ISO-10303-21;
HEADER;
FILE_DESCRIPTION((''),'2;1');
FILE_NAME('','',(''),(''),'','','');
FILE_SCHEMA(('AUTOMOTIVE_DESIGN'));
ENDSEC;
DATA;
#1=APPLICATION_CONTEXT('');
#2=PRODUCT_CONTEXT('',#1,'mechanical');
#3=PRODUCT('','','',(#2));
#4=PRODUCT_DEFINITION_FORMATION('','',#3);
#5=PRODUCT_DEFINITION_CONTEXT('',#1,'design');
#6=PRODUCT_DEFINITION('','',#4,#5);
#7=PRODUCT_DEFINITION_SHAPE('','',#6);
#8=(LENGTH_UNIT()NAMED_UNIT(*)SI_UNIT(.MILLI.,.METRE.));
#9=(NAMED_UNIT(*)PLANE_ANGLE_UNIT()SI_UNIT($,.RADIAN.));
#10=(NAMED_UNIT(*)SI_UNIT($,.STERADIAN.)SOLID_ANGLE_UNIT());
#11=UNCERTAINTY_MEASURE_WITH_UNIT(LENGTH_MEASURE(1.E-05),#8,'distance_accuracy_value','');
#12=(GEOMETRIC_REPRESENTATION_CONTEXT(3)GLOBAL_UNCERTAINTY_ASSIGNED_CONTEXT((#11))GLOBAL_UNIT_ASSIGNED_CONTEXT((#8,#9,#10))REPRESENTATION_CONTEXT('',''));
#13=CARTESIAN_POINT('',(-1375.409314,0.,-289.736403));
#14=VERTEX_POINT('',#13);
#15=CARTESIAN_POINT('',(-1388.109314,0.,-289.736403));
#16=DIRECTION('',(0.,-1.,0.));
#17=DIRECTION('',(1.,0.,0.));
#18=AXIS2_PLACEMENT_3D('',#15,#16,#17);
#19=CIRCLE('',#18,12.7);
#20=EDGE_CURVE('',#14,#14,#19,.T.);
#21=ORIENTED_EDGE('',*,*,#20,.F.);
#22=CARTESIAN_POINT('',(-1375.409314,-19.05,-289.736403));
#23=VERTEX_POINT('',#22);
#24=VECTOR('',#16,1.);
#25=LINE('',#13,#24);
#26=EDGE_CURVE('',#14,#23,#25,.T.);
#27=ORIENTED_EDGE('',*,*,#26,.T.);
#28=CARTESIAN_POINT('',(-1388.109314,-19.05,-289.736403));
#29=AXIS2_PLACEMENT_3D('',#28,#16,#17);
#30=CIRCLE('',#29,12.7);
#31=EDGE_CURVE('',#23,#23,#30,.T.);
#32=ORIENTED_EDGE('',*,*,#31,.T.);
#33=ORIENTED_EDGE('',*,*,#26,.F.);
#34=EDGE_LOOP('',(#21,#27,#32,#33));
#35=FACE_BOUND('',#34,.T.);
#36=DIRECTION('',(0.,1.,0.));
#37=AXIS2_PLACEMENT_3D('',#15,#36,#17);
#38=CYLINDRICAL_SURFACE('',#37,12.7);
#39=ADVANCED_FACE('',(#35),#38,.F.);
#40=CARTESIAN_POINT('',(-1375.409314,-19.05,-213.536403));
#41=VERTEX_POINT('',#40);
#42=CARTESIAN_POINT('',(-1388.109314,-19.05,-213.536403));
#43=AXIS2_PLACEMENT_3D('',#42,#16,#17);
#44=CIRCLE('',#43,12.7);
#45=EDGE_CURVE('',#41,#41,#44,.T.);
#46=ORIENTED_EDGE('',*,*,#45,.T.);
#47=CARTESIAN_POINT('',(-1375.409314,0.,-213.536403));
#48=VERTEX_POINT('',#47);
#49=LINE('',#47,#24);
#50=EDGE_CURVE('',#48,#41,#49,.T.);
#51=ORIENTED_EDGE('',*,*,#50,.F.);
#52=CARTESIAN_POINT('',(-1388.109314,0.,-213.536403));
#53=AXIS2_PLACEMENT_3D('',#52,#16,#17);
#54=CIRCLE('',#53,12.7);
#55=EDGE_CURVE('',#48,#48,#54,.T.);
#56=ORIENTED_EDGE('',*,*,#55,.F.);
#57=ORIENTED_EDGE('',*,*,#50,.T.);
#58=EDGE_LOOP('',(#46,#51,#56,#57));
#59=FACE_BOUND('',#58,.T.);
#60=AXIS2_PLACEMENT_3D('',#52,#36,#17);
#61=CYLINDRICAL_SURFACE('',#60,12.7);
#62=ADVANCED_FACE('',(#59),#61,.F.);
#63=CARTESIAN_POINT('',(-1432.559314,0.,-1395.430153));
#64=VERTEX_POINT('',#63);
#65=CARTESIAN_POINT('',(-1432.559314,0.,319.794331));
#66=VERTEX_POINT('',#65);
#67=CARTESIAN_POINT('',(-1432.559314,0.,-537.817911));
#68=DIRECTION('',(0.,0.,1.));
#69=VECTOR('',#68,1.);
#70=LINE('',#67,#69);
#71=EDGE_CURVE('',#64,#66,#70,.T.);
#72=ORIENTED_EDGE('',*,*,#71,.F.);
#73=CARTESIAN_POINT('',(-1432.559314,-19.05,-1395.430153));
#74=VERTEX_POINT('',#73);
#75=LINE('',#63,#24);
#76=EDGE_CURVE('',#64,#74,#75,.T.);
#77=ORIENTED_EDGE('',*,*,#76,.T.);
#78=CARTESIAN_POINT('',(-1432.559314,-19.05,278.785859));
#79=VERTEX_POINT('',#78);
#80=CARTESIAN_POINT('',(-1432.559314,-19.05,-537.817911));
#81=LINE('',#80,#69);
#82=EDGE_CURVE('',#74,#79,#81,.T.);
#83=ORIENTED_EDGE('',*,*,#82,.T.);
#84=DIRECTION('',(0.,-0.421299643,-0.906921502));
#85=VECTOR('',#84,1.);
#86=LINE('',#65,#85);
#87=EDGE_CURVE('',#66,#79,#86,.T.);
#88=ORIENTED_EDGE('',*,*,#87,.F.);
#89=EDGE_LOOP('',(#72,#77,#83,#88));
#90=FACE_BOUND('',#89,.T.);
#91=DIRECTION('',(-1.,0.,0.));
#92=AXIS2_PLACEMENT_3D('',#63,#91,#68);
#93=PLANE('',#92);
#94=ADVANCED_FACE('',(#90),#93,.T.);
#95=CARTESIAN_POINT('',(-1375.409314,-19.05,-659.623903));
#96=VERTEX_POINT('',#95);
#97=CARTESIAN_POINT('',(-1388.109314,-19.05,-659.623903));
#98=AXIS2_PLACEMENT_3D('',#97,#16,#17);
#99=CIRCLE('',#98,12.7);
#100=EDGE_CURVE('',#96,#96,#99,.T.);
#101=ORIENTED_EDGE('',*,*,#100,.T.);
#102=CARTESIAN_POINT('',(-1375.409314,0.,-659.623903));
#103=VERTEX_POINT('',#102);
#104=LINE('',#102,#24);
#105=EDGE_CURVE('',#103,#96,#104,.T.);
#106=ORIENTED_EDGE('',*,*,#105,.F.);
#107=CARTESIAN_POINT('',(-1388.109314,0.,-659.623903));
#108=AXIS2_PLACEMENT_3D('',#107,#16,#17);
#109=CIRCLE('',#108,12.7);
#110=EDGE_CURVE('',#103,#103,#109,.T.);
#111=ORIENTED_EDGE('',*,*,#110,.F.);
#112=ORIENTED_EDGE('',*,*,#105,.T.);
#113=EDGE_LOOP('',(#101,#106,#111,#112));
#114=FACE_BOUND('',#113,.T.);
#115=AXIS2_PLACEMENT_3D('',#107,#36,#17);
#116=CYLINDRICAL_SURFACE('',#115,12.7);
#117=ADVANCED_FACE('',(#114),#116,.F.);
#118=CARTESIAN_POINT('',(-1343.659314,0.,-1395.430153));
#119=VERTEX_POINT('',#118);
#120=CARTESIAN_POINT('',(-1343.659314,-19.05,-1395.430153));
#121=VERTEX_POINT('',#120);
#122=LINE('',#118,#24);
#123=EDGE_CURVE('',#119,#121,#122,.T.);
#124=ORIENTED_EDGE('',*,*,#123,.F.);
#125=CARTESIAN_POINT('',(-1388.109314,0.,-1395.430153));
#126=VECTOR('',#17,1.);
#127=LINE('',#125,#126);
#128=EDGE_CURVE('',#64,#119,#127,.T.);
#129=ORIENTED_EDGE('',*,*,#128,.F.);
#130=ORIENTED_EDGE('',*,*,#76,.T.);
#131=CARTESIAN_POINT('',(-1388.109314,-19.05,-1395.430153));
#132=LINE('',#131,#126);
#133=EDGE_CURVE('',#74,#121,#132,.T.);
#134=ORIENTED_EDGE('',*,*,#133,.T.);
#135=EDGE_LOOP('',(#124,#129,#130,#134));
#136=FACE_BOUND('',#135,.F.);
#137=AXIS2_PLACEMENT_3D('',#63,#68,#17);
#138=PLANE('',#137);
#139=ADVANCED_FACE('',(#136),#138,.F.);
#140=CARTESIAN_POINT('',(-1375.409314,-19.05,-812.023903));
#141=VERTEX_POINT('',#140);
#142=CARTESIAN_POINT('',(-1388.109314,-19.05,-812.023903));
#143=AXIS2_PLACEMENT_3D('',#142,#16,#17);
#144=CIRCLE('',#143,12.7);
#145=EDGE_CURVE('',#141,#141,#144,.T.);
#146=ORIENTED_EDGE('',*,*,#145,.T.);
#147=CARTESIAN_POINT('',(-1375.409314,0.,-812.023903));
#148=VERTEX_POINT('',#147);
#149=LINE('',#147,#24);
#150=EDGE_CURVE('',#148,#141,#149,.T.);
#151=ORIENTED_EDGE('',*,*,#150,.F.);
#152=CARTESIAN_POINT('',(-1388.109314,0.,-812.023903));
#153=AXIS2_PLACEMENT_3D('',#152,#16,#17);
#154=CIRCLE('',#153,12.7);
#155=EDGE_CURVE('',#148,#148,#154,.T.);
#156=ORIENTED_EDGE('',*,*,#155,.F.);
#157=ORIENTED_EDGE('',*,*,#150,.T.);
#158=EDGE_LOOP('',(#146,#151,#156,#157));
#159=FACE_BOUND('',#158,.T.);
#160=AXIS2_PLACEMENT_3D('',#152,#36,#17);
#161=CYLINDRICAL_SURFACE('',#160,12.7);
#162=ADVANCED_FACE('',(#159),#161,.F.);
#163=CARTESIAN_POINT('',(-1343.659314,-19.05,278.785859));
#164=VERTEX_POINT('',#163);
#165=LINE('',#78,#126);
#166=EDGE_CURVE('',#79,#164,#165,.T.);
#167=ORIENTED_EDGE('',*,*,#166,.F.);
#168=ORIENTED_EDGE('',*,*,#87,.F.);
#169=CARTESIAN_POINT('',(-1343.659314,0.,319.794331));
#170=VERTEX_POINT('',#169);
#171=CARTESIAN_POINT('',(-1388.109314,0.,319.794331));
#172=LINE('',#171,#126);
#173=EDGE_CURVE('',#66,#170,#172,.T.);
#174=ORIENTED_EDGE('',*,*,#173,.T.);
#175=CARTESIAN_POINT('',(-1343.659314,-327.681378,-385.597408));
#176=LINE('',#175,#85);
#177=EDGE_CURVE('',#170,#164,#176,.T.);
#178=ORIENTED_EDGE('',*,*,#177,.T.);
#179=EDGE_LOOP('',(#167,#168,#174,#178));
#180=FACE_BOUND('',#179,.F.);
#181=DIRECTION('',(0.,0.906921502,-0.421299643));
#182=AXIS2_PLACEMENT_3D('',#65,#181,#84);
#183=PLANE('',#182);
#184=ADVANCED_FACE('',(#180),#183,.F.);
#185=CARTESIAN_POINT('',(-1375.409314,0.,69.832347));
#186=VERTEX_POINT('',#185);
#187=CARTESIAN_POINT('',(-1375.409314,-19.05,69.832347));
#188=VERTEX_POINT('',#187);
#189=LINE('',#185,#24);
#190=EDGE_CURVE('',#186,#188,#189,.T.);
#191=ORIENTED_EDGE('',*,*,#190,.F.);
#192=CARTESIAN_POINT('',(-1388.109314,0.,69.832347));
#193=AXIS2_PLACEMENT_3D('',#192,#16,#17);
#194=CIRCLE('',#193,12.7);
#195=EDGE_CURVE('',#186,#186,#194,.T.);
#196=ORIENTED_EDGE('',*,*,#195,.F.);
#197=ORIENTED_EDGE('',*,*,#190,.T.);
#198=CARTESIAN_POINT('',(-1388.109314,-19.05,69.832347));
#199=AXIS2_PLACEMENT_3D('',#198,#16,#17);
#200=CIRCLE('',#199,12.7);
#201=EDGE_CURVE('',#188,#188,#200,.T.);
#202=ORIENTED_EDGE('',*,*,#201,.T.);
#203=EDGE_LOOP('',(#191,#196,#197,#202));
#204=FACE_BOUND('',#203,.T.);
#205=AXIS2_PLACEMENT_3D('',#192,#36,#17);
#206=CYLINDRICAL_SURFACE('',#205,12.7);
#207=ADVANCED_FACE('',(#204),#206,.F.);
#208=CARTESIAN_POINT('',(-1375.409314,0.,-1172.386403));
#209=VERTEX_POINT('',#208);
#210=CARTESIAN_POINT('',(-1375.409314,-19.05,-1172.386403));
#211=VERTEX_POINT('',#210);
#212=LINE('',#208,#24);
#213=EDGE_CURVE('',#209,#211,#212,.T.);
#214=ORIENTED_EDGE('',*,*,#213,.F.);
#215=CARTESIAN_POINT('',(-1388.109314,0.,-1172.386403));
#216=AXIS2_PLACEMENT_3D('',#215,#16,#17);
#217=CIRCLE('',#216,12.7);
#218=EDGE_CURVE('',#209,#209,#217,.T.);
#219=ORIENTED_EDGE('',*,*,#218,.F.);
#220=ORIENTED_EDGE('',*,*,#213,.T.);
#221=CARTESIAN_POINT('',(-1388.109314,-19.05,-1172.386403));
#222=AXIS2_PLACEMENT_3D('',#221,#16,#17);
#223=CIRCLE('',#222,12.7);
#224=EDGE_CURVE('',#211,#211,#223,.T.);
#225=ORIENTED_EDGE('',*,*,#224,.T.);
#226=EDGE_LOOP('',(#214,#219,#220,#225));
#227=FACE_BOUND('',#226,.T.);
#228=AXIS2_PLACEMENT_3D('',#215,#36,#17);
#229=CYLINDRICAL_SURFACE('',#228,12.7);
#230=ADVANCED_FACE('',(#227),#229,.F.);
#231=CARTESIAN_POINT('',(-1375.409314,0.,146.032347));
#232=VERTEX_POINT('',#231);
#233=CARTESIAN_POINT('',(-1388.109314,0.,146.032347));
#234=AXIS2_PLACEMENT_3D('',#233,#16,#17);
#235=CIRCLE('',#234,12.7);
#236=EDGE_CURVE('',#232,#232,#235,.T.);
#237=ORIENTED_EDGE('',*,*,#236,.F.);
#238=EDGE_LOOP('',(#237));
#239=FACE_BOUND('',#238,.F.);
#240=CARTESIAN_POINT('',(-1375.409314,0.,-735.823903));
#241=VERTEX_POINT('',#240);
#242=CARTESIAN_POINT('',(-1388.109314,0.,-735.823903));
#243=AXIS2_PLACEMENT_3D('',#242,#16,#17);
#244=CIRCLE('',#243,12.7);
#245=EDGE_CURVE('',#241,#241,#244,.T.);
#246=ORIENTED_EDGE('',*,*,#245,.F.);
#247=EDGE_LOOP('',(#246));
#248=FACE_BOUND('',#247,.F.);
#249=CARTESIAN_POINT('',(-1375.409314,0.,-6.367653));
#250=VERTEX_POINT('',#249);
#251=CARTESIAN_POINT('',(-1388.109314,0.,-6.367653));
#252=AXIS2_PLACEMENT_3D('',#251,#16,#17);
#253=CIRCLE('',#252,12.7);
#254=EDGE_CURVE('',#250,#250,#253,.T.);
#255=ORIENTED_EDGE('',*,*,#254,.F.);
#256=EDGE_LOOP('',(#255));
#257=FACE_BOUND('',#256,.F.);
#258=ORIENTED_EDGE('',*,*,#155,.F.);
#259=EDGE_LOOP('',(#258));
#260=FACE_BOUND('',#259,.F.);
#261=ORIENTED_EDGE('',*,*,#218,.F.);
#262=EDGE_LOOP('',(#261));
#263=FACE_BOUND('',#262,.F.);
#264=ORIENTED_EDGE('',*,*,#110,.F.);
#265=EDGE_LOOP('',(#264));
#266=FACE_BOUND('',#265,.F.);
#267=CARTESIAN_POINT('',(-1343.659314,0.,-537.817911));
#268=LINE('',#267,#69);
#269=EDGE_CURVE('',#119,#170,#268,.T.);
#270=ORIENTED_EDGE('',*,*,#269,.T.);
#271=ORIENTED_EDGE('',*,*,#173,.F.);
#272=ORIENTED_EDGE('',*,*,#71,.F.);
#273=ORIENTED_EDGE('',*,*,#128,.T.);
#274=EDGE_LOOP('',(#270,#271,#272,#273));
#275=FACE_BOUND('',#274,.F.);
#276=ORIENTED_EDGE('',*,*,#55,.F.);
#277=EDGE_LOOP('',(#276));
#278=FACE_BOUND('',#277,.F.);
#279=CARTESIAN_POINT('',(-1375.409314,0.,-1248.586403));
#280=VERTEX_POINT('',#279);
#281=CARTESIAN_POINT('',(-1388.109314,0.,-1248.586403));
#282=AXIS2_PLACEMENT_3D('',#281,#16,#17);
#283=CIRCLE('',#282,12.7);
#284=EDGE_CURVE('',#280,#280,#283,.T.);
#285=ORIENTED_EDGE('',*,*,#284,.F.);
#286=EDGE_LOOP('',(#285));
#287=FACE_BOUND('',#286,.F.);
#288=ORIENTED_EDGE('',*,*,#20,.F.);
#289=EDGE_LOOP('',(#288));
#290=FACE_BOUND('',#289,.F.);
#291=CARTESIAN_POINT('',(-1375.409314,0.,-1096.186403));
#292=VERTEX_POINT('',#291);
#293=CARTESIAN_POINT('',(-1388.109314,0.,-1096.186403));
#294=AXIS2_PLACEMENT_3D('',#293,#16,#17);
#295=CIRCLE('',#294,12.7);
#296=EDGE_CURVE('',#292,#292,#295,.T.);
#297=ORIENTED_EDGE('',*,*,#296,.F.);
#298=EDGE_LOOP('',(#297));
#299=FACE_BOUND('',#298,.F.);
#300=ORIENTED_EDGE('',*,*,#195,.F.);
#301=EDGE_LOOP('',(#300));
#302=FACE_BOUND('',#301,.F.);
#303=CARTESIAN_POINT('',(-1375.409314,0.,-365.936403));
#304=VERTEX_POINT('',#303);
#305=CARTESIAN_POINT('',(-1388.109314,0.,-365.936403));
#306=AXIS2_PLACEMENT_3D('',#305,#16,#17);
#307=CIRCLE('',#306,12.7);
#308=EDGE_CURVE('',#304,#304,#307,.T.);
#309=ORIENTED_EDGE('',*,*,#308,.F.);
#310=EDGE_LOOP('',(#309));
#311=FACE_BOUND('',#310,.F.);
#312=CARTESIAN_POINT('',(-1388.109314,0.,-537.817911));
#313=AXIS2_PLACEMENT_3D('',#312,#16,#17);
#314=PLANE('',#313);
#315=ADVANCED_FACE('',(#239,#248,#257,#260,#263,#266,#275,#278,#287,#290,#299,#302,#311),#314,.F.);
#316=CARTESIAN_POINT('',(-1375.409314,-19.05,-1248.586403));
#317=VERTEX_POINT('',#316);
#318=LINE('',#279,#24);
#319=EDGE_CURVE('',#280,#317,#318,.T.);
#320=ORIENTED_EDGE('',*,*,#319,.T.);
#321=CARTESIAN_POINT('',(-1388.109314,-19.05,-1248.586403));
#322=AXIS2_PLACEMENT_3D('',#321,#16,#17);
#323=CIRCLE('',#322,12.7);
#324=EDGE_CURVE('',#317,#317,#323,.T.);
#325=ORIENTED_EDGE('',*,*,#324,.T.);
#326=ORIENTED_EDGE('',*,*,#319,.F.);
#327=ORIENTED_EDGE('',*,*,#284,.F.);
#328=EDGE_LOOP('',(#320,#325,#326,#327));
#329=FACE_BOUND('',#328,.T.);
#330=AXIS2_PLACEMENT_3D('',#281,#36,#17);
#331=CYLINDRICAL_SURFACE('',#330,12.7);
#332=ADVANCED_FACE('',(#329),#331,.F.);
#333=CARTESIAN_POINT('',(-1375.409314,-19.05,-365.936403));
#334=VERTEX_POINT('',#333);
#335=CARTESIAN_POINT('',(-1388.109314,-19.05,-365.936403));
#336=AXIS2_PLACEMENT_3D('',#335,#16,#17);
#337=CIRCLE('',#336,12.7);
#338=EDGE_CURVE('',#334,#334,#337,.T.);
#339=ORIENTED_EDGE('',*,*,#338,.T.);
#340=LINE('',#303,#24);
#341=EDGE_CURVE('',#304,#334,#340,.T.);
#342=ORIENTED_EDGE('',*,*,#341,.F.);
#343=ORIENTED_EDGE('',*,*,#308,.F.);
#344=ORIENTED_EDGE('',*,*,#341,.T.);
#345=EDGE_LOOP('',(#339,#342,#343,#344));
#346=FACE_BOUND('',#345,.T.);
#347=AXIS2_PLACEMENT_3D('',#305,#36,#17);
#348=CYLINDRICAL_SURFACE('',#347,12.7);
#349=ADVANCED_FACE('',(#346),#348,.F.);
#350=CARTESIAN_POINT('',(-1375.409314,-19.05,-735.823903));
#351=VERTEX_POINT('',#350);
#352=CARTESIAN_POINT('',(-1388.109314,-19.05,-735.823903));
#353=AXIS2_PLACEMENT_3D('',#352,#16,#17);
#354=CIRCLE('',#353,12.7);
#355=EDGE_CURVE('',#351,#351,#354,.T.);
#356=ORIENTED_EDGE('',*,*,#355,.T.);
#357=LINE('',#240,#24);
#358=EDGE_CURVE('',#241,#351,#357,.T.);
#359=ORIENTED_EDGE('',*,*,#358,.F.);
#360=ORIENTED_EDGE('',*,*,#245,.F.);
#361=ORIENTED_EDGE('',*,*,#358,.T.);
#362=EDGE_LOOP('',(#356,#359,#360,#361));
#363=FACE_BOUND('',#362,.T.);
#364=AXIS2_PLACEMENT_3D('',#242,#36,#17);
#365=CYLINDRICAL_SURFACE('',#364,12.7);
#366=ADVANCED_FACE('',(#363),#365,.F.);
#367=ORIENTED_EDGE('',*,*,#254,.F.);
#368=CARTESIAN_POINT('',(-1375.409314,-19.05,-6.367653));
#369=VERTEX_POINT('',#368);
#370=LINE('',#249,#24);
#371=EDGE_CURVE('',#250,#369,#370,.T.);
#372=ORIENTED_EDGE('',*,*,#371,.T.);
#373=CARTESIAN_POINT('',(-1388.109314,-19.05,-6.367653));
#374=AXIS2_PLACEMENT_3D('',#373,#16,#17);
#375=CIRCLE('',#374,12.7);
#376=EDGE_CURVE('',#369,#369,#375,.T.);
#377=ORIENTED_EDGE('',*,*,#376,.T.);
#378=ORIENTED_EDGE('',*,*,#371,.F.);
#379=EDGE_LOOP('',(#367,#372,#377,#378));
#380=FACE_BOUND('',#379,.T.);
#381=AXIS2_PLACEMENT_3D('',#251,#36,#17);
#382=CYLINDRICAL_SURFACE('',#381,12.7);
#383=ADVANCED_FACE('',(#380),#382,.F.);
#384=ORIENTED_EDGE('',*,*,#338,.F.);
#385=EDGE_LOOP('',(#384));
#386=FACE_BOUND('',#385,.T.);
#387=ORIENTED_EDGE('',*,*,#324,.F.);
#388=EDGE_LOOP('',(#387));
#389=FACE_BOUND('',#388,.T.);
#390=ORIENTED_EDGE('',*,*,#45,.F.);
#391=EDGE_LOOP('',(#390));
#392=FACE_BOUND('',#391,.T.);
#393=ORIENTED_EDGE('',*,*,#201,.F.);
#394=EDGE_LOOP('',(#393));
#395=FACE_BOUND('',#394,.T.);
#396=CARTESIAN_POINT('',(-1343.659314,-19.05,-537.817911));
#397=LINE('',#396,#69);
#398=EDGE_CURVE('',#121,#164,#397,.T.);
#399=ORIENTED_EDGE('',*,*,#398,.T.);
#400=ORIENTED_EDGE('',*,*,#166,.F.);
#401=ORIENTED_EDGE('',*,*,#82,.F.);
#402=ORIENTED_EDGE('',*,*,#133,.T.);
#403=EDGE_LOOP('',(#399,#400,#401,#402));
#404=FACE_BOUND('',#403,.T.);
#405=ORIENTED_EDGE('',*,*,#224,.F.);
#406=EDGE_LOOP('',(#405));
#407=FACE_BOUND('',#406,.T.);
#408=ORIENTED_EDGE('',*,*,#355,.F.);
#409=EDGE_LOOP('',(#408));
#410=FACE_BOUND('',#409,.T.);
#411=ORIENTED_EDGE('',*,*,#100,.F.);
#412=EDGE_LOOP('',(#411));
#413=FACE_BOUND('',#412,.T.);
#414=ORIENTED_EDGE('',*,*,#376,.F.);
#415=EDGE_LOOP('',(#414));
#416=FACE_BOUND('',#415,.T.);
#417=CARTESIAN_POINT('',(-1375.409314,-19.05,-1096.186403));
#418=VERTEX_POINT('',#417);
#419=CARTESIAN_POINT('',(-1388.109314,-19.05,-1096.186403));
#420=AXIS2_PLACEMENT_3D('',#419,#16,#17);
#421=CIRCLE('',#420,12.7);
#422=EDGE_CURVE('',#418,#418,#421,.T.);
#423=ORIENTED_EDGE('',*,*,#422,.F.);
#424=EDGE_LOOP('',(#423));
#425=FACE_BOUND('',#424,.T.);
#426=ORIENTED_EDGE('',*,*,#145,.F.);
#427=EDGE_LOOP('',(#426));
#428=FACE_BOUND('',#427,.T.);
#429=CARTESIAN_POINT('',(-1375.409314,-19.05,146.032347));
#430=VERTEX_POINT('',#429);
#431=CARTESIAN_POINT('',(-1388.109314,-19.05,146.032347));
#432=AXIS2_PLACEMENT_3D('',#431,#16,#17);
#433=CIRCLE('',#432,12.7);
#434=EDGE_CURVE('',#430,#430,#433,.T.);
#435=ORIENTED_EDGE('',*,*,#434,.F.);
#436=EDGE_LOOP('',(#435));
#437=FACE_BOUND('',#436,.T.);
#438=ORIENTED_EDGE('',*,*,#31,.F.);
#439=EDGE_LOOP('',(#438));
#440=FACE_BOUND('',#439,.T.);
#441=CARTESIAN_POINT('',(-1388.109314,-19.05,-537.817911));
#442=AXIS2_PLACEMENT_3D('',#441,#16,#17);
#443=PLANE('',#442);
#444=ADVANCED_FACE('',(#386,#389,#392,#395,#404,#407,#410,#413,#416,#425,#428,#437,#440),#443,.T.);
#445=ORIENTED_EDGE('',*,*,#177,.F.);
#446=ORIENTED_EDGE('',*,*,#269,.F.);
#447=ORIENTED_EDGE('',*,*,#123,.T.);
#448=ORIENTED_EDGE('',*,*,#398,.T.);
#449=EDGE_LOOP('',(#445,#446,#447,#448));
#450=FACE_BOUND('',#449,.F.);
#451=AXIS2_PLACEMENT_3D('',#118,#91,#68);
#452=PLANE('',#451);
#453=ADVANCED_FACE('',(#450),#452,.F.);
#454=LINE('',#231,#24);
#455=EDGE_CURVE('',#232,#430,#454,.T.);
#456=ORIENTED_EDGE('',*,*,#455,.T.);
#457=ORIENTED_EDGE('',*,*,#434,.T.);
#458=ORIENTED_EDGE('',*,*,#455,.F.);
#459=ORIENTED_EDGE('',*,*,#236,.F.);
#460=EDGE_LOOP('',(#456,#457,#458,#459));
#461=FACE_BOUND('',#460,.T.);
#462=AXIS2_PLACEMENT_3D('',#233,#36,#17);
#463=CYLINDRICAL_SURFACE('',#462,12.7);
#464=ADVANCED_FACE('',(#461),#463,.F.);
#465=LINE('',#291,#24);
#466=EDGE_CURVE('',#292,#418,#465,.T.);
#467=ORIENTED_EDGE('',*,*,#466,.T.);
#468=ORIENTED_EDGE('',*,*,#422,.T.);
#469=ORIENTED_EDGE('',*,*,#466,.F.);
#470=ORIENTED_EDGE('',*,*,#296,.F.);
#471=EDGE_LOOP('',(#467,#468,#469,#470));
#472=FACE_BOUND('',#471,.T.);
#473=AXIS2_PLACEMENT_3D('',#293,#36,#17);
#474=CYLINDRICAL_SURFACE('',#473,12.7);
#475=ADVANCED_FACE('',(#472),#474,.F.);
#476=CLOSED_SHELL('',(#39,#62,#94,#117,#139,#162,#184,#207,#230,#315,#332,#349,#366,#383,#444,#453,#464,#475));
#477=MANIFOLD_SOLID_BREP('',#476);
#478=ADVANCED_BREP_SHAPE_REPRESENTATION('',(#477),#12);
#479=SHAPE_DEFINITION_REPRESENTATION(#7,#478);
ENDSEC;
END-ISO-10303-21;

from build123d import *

# Parameters (mm, degrees)
F0_W     = 88.9
F0_H     = 1715.224484
F0_R     = 12.7
F1_DEPTH = 19.05
F3_DEPTH = 88.901


with BuildPart() as f1:
    # F0 (on Front) → F1 (new body)
    with BuildSketch(Plane.XZ):
        with Locations((-1388.109314, -537.817911)):
            Rectangle(F0_W, F0_H)
        with Locations((-1388.109314, -1248.586403)):
            Circle(F0_R, mode=Mode.SUBTRACT)
        with Locations((-1388.109314, -1172.386403)):
            Circle(F0_R, mode=Mode.SUBTRACT)
        with Locations((-1388.109314, -1096.186403)):
            Circle(F0_R, mode=Mode.SUBTRACT)
        with Locations((-1388.109314, -812.023903)):
            Circle(F0_R, mode=Mode.SUBTRACT)
        with Locations((-1388.109314, -735.823903)):
            Circle(F0_R, mode=Mode.SUBTRACT)
        with Locations((-1388.109314, -659.623903)):
            Circle(F0_R, mode=Mode.SUBTRACT)
        with Locations((-1388.109314, -365.936403)):
            Circle(F0_R, mode=Mode.SUBTRACT)
        with Locations((-1388.109314, -289.736403)):
            Circle(F0_R, mode=Mode.SUBTRACT)
        with Locations((-1388.109314, -213.536403)):
            Circle(F0_R, mode=Mode.SUBTRACT)
        with Locations((-1388.109314, -6.367653)):
            Circle(F0_R, mode=Mode.SUBTRACT)
        with Locations((-1388.109314, 69.832347)):
            Circle(F0_R, mode=Mode.SUBTRACT)
        with Locations((-1388.109314, 146.032347)):
            Circle(F0_R, mode=Mode.SUBTRACT)
    extrude(amount=F1_DEPTH)

    # F2 (on face) → F3 (cut, through all)
    with BuildSketch(Plane(origin=(-1432.559314, 0, 0), x_dir=(0, -1, 0), z_dir=(-1, 0, 0))):
        Polygon((19.05, 319.794331), (0, 319.794331), (19.05, 278.785859), align=None)
    extrude(amount=-F3_DEPTH, mode=Mode.SUBTRACT)


solid = f1.part
